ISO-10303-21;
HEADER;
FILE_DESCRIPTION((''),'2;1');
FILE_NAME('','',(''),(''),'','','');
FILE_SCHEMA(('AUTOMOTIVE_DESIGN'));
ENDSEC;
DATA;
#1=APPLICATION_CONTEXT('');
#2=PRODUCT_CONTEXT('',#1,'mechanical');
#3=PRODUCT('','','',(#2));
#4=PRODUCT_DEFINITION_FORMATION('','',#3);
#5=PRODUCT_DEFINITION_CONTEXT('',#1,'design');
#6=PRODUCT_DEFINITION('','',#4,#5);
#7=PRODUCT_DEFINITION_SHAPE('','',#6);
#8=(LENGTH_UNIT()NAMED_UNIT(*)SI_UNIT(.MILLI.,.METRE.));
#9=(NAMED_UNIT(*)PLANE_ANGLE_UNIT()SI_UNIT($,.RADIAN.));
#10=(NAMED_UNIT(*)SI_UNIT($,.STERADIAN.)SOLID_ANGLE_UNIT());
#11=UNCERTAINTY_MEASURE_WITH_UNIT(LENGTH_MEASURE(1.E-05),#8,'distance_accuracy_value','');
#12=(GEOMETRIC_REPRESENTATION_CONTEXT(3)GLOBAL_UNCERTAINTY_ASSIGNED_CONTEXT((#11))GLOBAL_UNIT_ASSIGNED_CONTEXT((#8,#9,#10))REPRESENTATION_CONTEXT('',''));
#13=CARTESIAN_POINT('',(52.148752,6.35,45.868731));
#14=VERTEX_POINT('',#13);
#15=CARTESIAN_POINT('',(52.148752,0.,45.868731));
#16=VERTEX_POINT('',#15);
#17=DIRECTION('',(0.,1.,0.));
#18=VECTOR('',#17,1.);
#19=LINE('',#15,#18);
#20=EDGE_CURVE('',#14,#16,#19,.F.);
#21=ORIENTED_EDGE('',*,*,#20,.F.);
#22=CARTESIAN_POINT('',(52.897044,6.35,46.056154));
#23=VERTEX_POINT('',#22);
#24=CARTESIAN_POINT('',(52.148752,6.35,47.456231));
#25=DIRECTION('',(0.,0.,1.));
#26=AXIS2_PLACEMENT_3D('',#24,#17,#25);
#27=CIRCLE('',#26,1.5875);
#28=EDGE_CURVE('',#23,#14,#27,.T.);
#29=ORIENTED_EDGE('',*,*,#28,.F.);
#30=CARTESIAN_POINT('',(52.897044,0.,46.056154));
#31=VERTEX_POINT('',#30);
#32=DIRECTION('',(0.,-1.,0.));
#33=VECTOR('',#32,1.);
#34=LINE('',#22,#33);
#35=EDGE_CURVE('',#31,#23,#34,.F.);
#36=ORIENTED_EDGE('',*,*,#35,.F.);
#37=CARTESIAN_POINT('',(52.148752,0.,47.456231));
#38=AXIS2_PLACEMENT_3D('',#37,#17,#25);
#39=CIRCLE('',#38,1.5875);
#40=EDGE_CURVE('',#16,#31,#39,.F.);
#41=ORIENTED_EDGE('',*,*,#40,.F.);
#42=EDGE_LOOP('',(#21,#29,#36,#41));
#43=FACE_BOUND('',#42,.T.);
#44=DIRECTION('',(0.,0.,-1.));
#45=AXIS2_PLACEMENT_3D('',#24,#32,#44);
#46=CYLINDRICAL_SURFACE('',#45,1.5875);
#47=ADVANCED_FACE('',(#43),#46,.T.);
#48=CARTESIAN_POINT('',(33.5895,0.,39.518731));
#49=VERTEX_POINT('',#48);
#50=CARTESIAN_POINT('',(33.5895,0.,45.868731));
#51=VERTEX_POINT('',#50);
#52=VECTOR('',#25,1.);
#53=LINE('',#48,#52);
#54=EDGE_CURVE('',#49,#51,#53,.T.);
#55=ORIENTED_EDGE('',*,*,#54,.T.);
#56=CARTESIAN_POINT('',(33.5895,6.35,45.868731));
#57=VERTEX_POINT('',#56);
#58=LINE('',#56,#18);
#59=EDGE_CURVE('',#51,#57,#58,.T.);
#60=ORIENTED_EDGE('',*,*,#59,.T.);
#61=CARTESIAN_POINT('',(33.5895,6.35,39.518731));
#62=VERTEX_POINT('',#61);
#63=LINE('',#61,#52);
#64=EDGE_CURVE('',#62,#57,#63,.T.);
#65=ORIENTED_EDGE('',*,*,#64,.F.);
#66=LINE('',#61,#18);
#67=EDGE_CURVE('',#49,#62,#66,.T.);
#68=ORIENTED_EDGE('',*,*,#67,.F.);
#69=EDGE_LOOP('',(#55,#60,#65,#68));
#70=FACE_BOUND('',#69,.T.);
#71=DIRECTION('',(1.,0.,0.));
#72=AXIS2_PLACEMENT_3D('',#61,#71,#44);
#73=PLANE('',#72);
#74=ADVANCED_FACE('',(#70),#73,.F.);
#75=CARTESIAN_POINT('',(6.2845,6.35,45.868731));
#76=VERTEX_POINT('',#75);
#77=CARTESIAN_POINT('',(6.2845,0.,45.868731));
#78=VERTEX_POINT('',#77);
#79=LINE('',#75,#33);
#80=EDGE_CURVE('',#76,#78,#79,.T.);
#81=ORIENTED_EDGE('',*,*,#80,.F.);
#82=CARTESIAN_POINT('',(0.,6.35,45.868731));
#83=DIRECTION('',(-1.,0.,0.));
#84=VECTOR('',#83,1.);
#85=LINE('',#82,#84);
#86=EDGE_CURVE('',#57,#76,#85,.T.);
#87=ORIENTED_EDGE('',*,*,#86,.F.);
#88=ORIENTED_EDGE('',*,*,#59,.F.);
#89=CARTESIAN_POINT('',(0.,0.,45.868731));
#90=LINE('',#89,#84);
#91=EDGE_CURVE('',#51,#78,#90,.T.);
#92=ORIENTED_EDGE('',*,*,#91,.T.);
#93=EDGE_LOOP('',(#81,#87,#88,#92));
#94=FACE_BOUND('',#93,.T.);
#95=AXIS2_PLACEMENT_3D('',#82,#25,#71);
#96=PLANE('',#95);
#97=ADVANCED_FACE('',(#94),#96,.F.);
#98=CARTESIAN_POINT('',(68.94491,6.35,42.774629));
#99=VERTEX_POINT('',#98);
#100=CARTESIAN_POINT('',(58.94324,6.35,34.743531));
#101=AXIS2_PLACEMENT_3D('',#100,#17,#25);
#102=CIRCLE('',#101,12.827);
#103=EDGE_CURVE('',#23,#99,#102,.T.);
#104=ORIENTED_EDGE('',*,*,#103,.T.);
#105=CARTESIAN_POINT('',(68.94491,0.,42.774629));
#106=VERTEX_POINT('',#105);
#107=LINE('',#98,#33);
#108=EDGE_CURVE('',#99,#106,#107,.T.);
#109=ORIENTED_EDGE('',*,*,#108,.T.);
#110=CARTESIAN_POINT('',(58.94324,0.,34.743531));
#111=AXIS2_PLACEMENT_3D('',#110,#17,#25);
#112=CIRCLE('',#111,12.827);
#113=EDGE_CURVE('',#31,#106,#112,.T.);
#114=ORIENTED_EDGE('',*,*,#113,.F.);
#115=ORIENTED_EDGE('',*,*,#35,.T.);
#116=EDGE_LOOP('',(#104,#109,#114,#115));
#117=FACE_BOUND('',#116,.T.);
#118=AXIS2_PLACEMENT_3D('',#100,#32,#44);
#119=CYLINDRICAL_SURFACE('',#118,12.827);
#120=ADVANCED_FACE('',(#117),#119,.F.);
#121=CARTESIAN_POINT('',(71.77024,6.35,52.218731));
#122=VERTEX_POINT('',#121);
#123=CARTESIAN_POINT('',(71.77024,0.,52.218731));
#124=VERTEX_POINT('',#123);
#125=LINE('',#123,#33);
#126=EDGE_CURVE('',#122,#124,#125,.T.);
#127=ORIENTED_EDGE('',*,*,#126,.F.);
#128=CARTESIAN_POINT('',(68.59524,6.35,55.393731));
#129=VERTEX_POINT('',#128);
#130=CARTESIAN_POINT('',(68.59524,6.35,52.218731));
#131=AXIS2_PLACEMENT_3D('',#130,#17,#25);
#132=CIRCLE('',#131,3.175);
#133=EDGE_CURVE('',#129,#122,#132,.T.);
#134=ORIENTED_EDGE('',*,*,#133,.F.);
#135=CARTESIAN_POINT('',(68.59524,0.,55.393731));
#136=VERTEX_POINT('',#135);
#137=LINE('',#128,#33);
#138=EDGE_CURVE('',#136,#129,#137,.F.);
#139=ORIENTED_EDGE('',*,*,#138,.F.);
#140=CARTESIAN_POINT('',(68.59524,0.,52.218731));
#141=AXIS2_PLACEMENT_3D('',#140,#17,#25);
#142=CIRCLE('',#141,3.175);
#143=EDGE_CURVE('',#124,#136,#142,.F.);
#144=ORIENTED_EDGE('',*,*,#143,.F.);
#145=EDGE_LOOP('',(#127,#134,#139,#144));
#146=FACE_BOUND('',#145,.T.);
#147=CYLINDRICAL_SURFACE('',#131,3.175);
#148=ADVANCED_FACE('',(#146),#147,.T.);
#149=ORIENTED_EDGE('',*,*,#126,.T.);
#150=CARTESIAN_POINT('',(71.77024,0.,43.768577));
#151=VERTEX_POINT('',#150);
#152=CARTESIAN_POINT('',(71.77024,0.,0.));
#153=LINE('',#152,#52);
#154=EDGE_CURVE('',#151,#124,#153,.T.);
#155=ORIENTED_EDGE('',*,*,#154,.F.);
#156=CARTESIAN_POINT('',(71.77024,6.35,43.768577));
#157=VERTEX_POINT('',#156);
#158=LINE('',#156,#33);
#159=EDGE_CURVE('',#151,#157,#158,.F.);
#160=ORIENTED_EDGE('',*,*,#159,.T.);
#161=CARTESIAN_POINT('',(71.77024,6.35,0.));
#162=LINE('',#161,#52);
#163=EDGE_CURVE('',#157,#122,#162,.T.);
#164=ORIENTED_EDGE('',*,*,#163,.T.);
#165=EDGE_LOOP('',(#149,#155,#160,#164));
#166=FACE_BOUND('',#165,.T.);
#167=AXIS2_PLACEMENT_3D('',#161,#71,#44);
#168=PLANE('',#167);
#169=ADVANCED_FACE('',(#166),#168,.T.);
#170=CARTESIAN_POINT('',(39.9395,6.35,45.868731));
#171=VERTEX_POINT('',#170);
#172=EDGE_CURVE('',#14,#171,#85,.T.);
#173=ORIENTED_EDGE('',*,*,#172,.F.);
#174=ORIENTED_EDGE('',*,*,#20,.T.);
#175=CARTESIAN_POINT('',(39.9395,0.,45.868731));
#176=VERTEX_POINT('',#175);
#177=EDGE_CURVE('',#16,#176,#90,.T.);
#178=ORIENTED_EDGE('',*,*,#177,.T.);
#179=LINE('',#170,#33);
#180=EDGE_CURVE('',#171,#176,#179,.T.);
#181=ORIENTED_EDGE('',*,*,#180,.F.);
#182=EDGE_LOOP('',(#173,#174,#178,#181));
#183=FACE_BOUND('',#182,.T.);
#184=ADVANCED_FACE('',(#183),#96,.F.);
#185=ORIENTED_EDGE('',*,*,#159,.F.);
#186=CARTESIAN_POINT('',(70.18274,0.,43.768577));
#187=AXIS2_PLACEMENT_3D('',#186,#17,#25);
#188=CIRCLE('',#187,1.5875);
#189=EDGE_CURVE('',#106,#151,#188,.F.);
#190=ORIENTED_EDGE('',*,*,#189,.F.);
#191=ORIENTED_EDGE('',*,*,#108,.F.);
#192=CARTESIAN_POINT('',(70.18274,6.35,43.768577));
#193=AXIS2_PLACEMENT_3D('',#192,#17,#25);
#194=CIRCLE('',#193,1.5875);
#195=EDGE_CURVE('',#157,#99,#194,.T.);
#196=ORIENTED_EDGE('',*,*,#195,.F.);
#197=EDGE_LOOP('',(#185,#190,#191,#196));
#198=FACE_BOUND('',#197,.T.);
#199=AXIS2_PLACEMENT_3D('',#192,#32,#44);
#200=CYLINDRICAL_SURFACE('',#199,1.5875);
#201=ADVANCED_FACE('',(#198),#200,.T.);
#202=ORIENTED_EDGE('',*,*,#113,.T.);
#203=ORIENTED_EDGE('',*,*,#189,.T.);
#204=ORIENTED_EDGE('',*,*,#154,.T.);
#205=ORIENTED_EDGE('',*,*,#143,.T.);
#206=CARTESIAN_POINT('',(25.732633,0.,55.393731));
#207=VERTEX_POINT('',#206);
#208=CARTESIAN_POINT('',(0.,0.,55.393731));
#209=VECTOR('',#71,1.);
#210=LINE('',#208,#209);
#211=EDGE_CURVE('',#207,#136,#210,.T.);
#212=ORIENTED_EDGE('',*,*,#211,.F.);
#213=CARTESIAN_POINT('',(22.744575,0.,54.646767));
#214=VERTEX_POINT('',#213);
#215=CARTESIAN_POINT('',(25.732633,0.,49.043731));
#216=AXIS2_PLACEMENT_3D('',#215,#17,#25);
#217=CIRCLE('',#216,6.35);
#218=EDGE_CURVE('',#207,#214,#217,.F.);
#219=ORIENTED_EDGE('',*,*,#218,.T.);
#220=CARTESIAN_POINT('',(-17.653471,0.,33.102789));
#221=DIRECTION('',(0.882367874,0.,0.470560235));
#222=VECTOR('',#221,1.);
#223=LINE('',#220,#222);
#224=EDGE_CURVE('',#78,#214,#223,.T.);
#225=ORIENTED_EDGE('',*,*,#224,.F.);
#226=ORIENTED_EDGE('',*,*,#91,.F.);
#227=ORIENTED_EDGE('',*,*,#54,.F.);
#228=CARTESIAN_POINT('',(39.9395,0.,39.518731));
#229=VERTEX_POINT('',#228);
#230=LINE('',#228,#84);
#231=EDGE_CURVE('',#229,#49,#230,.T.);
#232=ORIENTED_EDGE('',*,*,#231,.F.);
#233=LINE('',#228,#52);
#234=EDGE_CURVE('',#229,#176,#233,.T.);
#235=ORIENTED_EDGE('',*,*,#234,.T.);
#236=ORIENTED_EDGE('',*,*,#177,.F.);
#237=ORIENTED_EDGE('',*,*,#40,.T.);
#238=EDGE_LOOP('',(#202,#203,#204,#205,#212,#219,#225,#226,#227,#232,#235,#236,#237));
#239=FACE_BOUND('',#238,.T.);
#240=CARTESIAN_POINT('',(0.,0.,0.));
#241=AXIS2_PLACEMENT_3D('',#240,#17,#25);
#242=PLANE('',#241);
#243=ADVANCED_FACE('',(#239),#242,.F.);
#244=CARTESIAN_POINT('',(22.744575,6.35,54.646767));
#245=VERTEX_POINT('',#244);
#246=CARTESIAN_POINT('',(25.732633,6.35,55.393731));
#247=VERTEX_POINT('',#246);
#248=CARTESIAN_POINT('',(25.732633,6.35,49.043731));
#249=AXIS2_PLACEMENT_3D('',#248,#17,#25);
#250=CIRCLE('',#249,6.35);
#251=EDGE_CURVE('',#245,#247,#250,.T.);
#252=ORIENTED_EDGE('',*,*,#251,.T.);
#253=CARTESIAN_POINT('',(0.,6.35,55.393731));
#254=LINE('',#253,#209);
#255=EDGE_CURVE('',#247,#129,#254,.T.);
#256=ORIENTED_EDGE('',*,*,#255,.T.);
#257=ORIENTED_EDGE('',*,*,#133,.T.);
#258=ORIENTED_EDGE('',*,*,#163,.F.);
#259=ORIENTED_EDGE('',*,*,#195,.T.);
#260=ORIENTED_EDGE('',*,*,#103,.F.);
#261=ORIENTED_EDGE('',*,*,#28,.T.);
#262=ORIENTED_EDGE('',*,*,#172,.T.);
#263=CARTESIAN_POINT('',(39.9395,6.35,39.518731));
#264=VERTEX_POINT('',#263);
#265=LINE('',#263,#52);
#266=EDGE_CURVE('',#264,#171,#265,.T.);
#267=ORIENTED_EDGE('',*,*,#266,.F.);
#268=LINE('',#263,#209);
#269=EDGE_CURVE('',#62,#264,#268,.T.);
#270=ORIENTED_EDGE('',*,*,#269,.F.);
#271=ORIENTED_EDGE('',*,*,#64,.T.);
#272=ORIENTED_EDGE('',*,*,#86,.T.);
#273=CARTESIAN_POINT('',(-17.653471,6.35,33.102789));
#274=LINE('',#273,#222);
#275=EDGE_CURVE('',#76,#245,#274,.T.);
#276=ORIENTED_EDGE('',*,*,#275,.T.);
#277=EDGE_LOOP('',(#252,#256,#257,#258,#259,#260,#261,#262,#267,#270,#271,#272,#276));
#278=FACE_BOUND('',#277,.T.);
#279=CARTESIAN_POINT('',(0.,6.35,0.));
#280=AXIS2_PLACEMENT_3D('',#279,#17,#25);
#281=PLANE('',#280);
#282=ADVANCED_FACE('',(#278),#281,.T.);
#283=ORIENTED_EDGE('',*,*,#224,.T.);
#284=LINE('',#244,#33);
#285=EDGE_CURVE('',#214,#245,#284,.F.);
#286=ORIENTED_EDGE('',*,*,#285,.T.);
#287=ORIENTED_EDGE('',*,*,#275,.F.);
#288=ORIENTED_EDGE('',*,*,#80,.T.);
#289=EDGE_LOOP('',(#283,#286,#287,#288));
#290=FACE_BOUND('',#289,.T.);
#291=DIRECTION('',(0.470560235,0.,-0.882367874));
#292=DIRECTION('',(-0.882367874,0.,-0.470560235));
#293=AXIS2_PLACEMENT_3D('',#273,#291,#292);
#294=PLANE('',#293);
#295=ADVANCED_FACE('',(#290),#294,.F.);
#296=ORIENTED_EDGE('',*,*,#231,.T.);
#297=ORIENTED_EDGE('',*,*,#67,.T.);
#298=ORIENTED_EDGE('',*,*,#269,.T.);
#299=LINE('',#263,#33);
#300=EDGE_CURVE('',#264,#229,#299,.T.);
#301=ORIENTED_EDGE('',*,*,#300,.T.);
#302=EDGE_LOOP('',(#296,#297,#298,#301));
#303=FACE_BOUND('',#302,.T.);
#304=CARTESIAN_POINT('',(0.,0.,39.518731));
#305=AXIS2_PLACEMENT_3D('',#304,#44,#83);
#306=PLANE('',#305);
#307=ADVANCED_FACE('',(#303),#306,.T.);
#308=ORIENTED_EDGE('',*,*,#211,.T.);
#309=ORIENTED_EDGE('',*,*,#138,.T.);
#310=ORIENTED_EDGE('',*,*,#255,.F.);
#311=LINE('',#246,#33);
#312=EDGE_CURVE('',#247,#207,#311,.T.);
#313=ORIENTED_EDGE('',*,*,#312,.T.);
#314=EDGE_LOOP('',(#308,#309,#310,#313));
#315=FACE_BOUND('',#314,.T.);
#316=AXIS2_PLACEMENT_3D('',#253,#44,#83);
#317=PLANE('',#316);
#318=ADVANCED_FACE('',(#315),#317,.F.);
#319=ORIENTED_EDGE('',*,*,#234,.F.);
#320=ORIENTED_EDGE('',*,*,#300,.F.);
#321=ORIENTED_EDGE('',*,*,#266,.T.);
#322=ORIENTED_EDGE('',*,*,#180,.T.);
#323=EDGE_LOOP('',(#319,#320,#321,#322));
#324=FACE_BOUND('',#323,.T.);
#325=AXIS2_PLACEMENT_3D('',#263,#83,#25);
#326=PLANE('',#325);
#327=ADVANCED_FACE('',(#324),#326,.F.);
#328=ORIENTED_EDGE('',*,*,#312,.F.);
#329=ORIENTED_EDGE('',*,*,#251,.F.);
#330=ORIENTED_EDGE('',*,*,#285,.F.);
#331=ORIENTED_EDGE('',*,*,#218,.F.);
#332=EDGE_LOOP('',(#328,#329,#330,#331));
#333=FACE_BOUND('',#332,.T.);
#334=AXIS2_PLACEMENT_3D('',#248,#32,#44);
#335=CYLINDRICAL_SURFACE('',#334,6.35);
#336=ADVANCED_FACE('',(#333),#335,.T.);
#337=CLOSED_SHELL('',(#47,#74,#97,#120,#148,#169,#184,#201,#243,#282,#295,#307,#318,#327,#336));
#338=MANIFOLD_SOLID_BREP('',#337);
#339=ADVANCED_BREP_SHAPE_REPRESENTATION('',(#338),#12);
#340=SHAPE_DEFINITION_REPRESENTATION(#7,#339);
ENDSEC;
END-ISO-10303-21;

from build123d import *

# Parameters (mm, degrees)
BOSS_EXTRUDE1_DEPTH = 6.35
FILLET1_R           = 1.5875
FILLET2_R           = 6.35
FILLET3_R           = 3.175
SKETCH2_W           = 6.35
SKETCH2_H           = 6.35
BOSS_EXTRUDE2_DEPTH = 6.35


with BuildPart() as part:
    # Sketch1 → Boss-Extrude1 (new body)
    with BuildSketch(Plane(origin=(0, 0, 0), x_dir=(1, 0, 0), z_dir=(0, 1, 0))):
        with BuildLine():
            Line((52.558738922, -45.868730992), (33.5895, -45.868730992))
            Line((33.5895, -45.868730992), (6.2845, -45.868730992))
            Line((6.2845, -45.868730992), (24.145239996, -55.393730992))
            Line((24.145239996, -55.393730992), (71.770239996, -55.393730992))
            Line((71.770239996, -55.393730992), (71.770239996, -34.743530992))
            ThreePointArc((71.770239996, -34.743530992), (65.371223106, -45.84366442), (52.558738922, -45.868730992))
        make_face()
    extrude(amount=BOSS_EXTRUDE1_DEPTH)

    # Fillet1
    fillet1_edges = [part.edges().sort_by_distance(p)[0] for p in [
        (71.770239996, 3.175, 34.743530992),
        (52.558738922, 3.175, 45.868730992),
    ]]
    fillet(fillet1_edges, radius=FILLET1_R)

    # Fillet2
    fillet2_edges = [part.edges().sort_by_distance(p)[0] for p in [
        (24.145239996, 3.175, 55.393730992),
    ]]
    fillet(fillet2_edges, radius=FILLET2_R)

    # Fillet3
    fillet3_edges = [part.edges().sort_by_distance(p)[0] for p in [
        (71.770239996, 3.175, 55.393730992),
    ]]
    fillet(fillet3_edges, radius=FILLET3_R)

    # Sketch2 → Boss-Extrude2 (add)
    with BuildSketch(Plane(origin=(0, 0, 45.868730992), x_dir=(-1, 0, 0), z_dir=(0, 0, -1))):
        with Locations((-36.7645, 3.175)):
            Rectangle(SKETCH2_W, SKETCH2_H)
    extrude(amount=BOSS_EXTRUDE2_DEPTH)


solid = part.part
